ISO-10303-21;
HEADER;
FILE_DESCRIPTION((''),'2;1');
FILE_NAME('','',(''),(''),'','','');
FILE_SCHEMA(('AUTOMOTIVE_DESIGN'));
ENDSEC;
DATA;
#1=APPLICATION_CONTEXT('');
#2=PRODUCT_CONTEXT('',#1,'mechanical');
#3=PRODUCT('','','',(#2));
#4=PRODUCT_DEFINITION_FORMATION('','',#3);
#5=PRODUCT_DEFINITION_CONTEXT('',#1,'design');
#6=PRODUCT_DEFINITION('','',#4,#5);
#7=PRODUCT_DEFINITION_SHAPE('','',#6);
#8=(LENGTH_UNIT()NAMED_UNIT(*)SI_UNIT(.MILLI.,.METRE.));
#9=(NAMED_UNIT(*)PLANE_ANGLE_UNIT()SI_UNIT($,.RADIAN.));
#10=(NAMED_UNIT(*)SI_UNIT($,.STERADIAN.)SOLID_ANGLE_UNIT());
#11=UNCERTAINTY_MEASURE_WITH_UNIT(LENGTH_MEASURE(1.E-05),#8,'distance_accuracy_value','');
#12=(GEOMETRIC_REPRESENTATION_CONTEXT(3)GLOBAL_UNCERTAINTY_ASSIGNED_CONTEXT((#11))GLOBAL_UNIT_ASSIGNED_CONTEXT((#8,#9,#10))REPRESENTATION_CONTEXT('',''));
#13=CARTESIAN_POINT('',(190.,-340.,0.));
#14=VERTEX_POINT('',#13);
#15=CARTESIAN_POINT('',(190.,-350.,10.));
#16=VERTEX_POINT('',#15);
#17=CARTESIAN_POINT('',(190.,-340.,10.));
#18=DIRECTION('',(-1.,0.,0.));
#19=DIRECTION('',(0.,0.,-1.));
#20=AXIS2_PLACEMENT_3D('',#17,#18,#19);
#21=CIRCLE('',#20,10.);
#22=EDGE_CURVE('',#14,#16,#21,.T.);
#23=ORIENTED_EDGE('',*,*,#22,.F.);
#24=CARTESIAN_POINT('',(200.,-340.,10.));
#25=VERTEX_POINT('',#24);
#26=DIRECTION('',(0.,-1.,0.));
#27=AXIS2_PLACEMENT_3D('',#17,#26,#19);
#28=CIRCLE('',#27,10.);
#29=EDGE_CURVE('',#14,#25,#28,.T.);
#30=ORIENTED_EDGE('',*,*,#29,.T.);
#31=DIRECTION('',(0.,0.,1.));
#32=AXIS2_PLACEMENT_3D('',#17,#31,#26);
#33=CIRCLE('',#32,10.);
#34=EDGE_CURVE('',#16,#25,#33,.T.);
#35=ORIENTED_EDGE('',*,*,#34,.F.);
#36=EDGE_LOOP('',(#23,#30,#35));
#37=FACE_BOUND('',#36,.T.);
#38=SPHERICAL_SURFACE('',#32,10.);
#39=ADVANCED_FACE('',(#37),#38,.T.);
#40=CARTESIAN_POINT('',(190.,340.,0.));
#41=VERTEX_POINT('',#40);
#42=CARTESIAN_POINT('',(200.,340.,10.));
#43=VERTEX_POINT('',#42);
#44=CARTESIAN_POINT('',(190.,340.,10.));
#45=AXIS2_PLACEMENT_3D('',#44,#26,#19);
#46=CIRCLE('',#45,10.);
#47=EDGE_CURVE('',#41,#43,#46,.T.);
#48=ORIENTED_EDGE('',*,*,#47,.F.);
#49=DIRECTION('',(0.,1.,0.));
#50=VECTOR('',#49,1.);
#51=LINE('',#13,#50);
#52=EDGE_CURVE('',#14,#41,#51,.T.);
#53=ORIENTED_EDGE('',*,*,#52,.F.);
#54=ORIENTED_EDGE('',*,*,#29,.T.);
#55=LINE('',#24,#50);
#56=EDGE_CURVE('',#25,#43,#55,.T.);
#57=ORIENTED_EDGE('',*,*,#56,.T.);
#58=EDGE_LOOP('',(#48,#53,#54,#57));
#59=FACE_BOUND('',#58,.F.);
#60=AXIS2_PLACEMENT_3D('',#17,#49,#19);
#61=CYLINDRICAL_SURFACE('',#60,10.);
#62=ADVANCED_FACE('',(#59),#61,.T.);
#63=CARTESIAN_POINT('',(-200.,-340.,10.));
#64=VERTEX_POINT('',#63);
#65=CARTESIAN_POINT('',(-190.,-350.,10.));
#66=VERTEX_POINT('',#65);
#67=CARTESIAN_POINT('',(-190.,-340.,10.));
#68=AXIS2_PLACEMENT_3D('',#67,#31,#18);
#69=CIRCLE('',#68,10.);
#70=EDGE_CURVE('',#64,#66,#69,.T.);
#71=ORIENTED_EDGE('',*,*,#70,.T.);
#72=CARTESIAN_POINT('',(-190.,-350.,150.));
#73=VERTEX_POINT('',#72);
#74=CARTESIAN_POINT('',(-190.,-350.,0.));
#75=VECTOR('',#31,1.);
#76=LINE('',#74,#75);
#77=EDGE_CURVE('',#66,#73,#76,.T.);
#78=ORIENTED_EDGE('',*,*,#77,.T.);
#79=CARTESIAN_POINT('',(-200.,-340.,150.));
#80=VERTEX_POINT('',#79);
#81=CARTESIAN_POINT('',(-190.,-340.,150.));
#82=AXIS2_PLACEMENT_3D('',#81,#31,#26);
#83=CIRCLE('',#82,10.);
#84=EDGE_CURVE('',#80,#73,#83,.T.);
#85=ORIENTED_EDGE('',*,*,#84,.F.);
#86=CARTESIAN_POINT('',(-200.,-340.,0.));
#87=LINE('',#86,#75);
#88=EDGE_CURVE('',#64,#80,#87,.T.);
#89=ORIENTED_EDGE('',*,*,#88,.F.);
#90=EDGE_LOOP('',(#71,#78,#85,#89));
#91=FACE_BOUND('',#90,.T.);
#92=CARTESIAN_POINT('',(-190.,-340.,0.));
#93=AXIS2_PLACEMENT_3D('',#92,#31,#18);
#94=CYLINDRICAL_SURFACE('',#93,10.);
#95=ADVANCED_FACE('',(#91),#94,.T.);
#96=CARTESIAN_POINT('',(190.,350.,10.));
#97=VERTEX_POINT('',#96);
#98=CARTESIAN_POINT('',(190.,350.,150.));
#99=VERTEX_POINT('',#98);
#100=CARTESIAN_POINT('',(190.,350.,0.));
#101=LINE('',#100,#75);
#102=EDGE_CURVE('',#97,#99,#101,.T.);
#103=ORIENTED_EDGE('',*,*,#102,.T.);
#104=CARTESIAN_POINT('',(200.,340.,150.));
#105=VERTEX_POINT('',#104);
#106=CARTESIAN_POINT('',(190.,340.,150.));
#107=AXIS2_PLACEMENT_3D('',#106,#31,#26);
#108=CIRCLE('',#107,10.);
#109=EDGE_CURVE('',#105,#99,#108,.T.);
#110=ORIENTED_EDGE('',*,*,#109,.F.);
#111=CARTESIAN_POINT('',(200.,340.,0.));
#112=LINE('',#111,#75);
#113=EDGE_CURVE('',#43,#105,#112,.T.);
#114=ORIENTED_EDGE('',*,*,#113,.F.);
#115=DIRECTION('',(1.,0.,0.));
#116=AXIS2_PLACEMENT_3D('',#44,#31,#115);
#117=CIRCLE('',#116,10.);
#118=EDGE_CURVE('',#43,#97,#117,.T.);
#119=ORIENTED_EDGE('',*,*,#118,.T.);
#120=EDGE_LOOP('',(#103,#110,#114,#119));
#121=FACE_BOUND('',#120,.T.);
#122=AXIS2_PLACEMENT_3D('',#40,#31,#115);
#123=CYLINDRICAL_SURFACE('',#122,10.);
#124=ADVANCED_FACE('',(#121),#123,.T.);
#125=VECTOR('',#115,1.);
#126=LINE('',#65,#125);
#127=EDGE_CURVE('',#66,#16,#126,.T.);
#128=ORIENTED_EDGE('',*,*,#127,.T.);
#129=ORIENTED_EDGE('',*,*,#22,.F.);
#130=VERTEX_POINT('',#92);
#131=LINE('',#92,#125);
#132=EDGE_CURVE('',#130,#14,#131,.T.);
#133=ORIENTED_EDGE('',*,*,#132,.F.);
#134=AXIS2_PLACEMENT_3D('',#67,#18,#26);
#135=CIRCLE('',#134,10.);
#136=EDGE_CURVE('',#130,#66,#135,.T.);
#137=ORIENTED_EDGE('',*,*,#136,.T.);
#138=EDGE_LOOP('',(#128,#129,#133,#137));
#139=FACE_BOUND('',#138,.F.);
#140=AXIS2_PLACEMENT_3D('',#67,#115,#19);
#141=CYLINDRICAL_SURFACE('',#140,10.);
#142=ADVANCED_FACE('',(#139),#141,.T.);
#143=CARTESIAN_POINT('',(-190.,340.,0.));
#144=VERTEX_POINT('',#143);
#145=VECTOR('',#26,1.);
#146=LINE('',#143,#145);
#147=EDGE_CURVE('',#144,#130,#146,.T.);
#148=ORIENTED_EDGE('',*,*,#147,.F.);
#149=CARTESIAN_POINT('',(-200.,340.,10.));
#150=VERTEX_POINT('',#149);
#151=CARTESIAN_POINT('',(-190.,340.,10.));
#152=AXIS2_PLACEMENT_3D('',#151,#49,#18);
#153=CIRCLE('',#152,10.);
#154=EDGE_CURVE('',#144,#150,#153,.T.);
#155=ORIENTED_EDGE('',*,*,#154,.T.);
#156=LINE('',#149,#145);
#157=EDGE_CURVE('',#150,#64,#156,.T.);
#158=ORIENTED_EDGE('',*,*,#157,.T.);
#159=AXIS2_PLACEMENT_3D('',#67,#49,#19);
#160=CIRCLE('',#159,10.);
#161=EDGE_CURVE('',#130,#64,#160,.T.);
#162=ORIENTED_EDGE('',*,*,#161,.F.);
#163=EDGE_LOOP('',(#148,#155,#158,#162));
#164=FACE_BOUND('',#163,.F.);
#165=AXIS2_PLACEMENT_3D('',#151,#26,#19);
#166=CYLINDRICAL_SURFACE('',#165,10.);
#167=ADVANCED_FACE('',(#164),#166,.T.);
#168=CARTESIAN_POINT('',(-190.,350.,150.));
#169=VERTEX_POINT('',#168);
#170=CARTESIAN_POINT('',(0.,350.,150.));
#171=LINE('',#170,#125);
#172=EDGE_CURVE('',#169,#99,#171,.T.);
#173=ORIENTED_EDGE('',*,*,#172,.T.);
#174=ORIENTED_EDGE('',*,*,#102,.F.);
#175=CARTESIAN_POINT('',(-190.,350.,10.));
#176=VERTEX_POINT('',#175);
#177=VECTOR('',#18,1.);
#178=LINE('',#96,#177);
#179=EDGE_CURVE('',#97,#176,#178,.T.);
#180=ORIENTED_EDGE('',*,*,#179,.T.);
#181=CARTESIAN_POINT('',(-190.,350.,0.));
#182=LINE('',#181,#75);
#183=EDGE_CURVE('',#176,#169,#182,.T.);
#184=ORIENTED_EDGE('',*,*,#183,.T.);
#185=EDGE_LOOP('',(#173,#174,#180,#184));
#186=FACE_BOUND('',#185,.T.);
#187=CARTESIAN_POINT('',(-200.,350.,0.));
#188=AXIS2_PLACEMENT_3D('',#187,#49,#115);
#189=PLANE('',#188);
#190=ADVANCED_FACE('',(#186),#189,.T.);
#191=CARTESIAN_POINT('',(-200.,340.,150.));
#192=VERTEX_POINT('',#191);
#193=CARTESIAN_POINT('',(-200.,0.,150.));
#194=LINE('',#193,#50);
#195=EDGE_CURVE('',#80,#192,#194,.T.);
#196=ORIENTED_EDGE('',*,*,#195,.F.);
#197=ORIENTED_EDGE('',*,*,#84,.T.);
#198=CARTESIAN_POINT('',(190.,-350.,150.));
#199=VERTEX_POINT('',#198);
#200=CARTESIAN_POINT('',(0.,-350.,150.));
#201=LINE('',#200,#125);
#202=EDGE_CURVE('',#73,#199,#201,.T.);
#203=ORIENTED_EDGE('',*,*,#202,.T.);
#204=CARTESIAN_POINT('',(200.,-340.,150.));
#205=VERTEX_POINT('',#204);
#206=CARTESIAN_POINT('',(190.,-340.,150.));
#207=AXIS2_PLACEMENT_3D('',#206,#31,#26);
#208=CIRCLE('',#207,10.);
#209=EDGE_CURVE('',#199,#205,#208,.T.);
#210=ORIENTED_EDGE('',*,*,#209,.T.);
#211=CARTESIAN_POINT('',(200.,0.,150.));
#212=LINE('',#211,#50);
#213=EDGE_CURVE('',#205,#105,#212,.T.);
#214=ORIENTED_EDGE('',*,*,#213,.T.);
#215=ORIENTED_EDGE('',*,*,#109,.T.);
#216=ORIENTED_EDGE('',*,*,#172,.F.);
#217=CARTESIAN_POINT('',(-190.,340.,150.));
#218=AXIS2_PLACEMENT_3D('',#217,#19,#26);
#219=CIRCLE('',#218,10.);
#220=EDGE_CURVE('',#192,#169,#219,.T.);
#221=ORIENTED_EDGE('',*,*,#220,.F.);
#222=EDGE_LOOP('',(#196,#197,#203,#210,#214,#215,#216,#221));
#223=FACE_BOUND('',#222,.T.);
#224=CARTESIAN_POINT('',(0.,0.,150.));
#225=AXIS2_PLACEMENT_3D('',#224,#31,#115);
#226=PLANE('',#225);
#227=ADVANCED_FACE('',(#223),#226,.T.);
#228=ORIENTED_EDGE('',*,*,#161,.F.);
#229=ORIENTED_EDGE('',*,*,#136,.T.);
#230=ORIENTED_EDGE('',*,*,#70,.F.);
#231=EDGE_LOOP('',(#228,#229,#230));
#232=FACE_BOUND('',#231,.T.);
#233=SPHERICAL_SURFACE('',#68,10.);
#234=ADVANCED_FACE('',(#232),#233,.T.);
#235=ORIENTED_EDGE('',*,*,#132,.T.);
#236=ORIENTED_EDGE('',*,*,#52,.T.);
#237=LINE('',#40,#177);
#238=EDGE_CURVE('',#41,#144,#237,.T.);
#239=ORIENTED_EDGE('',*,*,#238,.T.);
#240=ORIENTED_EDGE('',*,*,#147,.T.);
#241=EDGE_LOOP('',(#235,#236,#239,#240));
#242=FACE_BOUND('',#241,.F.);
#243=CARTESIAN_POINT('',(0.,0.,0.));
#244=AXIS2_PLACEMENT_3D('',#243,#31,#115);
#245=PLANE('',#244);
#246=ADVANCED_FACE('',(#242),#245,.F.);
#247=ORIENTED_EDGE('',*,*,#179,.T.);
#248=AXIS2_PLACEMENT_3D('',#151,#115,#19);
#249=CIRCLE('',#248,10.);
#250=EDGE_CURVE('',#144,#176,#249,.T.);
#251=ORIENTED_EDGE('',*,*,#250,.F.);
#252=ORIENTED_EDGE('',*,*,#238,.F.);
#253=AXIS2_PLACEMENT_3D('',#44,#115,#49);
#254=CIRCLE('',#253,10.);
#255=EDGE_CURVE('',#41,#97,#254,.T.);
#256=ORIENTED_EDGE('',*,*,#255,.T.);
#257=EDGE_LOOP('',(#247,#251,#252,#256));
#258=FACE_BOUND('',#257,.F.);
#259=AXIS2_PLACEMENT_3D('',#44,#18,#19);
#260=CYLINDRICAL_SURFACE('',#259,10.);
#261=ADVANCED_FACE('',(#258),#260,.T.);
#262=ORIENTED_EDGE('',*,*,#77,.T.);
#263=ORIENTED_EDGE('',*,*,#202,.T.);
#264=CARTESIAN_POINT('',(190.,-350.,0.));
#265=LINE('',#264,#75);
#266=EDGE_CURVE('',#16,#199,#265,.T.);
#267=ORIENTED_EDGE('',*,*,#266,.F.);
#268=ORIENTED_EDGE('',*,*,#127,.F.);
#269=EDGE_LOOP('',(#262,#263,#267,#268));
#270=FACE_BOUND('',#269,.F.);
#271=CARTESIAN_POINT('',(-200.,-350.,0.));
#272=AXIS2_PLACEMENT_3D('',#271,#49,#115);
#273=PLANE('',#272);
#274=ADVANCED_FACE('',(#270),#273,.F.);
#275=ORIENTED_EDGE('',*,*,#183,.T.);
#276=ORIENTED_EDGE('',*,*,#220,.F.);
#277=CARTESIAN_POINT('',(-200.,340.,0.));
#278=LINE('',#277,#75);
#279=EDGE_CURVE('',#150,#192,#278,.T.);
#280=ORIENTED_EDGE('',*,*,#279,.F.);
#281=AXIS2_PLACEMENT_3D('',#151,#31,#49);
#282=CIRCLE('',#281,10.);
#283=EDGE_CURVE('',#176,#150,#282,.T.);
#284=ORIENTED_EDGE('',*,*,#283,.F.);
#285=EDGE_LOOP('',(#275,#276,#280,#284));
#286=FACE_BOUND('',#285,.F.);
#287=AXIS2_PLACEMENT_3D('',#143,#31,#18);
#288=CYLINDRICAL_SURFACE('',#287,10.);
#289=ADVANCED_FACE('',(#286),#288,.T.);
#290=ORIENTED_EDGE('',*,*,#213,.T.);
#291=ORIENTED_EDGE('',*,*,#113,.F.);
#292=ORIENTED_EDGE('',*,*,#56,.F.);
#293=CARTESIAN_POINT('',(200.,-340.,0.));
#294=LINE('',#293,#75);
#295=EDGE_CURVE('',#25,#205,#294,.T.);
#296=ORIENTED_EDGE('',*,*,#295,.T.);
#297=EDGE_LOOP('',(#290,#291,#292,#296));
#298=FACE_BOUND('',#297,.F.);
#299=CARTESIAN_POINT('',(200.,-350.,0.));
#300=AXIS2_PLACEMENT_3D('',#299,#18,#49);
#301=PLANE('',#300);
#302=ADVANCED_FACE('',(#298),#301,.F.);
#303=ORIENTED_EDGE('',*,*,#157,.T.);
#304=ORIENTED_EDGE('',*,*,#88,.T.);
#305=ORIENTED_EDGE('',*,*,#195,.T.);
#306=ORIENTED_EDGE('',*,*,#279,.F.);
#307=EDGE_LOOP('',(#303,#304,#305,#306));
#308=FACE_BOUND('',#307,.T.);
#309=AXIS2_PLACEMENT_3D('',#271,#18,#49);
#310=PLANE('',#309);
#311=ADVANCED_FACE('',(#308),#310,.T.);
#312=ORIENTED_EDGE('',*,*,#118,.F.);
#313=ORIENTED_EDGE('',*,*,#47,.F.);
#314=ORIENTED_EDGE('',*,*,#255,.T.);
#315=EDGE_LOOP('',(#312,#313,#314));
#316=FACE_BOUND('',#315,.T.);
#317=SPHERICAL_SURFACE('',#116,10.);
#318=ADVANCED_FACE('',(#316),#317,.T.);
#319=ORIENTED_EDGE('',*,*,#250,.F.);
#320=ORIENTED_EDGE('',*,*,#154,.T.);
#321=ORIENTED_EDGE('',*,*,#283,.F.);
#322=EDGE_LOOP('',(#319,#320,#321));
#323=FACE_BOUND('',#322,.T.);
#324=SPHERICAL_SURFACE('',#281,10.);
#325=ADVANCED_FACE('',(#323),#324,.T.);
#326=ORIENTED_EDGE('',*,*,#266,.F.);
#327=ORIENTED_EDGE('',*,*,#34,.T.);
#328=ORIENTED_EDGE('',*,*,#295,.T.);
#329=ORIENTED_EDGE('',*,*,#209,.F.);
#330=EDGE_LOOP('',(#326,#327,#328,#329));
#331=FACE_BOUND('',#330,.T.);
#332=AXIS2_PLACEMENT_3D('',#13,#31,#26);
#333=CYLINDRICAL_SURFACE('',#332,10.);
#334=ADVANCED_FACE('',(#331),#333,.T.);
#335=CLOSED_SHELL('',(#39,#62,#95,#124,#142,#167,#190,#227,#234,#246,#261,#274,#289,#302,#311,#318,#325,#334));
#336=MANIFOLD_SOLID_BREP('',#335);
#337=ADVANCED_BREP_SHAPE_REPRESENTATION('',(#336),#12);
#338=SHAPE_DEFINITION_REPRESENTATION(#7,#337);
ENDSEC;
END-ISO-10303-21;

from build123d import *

# Parameters (mm, degrees)
F0_W     = 400
F0_H     = 700
F1_DEPTH = 150
F2_R     = 10
F3_R     = 10


with BuildPart() as f1:
    # F0 (on Top) → F1 (new body)
    with BuildSketch(Plane.XY):
        Rectangle(F0_W, F0_H)
    extrude(amount=F1_DEPTH)

    # F2
    f2_edges = [f1.edges().sort_by_distance(p)[0] for p in [
        (200, 350, 75),
        (200, -350, 75),
        (-200, -350, 75),
        (-200, 350, 75),
    ]]
    fillet(f2_edges, radius=F2_R)

    # F3
    f3_edges = [f1.edges().sort_by_distance(p)[0] for p in [
        (200, 0, 0),
        (0, 350, 0),
        (-200, 0, 0),
    ]]
    fillet(f3_edges, radius=F3_R)


solid = f1.part
